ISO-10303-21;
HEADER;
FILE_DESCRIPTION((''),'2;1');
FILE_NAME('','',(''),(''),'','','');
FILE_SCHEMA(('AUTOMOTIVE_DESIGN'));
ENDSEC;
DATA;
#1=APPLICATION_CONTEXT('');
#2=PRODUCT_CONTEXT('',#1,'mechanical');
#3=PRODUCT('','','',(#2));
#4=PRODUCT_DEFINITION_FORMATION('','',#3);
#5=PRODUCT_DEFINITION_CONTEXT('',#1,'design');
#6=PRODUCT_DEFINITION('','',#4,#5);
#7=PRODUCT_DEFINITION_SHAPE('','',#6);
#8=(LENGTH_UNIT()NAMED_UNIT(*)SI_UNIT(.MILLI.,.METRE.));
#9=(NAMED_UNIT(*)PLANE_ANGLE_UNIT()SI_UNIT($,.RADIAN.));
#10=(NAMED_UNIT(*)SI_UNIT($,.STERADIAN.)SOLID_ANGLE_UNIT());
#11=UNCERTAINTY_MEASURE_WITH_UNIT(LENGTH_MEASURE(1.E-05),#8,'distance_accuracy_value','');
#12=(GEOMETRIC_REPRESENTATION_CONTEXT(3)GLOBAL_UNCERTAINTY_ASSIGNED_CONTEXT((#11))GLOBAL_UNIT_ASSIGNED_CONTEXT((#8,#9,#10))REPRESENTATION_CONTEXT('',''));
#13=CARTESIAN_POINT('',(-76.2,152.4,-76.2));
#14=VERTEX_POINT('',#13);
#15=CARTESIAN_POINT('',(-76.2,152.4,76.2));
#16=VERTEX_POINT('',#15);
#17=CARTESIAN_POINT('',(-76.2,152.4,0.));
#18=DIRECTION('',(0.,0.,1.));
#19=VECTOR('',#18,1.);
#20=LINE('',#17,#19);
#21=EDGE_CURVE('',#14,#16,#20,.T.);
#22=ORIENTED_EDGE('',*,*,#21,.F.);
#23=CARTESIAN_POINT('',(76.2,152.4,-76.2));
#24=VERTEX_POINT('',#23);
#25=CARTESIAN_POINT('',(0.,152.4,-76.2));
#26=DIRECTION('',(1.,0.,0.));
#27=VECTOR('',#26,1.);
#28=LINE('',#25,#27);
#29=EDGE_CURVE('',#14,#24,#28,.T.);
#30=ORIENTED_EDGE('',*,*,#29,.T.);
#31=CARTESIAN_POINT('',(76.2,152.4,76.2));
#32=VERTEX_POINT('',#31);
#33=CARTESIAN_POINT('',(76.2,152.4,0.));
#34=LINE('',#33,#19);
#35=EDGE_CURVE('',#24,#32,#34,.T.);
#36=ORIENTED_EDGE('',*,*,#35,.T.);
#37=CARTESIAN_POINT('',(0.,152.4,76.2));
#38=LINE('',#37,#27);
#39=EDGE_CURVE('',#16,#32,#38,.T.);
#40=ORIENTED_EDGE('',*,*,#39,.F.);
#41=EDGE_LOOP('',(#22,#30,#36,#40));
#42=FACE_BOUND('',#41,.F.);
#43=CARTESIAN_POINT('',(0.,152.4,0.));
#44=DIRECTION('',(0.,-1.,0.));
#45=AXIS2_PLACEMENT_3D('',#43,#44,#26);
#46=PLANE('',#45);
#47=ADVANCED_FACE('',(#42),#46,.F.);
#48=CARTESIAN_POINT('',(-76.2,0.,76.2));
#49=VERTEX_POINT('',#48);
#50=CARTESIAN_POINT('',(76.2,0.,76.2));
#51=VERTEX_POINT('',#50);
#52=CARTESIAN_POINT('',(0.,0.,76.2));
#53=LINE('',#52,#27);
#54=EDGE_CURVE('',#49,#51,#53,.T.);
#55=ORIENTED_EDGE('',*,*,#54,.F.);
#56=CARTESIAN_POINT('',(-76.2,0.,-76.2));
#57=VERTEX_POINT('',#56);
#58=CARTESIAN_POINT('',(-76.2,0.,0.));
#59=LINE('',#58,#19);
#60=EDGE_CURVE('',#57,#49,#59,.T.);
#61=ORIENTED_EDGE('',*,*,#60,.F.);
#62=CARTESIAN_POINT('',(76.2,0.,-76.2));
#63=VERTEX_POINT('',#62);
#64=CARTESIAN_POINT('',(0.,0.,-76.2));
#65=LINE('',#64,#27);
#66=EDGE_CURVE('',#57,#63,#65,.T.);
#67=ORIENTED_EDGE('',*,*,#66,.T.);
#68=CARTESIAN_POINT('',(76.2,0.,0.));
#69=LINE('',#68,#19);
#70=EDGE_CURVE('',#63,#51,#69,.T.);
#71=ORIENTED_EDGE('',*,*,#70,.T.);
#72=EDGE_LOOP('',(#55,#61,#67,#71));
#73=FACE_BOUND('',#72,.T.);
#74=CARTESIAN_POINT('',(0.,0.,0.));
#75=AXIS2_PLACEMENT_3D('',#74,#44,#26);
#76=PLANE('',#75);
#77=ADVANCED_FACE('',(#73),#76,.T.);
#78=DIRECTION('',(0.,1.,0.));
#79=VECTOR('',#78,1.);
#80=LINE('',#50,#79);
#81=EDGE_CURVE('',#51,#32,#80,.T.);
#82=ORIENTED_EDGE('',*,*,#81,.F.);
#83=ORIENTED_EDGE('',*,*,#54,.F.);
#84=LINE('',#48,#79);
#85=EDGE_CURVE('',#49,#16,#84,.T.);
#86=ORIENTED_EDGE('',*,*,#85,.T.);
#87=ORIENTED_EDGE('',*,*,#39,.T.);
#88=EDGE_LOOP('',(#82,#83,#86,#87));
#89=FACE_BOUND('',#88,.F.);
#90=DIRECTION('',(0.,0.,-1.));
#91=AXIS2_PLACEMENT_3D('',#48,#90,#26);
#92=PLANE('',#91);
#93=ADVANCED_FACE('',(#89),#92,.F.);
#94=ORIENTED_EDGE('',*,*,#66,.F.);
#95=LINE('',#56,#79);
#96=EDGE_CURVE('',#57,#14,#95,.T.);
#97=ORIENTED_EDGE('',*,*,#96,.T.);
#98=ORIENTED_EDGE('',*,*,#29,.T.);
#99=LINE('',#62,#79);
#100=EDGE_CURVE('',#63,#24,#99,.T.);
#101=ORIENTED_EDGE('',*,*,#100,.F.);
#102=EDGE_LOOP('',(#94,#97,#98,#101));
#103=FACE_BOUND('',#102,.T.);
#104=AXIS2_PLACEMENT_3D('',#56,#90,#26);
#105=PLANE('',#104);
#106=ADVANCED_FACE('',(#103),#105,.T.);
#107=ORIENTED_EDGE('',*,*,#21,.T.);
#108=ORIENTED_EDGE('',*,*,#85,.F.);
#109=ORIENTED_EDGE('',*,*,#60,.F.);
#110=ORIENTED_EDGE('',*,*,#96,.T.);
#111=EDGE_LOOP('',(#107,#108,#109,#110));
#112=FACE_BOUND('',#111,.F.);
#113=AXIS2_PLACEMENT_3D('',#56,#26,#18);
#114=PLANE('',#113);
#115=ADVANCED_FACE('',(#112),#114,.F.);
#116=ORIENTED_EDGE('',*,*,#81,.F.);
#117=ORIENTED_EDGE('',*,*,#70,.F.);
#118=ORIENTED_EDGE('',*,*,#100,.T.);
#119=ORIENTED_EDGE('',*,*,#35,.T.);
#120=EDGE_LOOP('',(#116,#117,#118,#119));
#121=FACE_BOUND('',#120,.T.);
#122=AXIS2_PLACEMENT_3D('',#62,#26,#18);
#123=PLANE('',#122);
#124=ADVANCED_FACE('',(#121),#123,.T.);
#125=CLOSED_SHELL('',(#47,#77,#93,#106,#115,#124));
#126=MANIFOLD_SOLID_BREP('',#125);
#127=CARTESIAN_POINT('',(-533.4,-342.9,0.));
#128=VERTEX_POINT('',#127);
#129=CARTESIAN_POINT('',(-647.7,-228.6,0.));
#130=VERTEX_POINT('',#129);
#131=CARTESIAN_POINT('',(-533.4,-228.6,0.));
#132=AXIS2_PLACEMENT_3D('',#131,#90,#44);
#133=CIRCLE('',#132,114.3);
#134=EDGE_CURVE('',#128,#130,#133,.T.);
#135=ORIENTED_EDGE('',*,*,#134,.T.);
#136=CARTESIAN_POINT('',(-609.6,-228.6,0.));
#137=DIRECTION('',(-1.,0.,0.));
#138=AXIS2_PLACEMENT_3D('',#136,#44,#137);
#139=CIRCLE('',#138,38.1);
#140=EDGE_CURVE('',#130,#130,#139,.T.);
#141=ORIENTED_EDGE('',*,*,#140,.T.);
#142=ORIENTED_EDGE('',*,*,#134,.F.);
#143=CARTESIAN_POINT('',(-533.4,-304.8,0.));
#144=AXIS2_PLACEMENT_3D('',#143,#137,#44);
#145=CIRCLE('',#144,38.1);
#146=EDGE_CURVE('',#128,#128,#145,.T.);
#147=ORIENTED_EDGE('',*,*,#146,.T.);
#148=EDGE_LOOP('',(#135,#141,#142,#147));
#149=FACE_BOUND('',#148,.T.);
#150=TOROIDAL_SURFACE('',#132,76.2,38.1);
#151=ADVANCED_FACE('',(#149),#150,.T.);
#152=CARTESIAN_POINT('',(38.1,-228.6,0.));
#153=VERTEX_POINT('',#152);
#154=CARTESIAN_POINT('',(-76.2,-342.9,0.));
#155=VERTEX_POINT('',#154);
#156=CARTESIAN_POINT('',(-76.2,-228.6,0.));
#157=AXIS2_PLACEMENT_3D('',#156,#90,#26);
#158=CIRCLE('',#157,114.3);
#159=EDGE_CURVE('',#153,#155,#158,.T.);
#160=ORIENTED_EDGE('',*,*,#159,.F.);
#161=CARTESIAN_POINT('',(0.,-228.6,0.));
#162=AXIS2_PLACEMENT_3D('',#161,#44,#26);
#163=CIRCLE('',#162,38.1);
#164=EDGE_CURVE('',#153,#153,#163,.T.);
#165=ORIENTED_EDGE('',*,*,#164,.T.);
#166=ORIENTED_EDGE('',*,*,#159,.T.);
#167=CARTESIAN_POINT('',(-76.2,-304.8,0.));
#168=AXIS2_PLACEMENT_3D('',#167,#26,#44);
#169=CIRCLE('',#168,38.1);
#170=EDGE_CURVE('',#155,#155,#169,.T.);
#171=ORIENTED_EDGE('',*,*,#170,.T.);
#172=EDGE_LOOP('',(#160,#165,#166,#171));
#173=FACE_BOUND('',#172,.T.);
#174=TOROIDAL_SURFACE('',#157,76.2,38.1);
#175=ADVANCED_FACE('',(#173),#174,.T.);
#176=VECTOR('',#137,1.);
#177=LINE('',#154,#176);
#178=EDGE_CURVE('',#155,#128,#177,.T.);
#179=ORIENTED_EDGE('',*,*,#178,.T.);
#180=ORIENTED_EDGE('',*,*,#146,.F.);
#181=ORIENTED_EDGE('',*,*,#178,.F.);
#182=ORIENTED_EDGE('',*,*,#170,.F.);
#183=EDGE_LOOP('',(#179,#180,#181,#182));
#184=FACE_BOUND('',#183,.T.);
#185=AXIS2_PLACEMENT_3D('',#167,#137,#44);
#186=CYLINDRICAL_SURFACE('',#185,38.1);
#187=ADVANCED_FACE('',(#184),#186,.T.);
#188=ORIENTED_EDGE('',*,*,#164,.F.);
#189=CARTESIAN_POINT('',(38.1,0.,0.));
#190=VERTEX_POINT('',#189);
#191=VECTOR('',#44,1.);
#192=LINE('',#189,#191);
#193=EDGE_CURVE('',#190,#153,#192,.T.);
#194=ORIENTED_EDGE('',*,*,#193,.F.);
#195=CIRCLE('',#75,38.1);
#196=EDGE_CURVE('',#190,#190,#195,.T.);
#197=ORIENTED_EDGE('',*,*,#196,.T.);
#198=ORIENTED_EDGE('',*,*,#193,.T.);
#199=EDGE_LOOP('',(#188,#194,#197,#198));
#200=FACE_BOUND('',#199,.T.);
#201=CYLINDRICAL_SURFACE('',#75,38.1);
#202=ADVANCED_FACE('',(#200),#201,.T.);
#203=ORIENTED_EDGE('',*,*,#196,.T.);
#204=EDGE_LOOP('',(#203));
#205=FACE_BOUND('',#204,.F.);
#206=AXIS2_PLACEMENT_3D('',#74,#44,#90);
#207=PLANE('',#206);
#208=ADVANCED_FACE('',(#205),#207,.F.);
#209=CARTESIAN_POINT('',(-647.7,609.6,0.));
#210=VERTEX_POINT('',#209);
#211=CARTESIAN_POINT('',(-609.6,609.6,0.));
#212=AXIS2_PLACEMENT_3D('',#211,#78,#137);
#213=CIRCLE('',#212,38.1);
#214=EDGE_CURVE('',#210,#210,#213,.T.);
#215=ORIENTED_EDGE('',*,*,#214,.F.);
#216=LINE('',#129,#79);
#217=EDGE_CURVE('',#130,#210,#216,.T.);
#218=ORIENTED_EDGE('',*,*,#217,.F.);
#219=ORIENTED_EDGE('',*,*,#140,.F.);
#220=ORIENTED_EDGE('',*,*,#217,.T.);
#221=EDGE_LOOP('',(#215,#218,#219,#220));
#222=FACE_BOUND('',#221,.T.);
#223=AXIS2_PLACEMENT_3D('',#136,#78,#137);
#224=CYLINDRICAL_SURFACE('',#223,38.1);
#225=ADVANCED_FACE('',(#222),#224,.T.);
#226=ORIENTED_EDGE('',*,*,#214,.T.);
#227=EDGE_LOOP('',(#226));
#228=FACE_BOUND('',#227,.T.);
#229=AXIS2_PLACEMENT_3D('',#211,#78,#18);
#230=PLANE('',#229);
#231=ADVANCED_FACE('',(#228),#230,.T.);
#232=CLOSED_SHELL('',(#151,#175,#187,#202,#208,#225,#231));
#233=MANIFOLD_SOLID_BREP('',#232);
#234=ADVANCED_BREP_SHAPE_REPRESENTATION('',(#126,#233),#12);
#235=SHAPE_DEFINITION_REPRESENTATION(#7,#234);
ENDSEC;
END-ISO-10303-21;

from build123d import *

# Parameters (mm, degrees)
F1_R     = 38.1
F3_W     = 152.4
F3_H     = 152.4
F4_DEPTH = 152.4


with BuildPart() as f2:
    # F2: sweep along a path in F0
    with BuildLine(Plane.XY) as f2_path:
        Line((0, 0), (0, -228.6))
        ThreePointArc((0, -228.6), (-22.3184632736, -282.4815367264), (-76.2, -304.8))
        Line((-76.2, -304.8), (-533.4, -304.8))
        ThreePointArc((-533.4, -304.8), (-587.2815367264, -282.4815367264), (-609.6, -228.6))
        Line((-609.6, -228.6), (-609.6, 609.6))
    # F1 (on Front) → F2 (sweep)
    with BuildSketch(Plane.XZ):
        Circle(F1_R)
    sweep(path=f2_path.line)


with BuildPart() as f4:
    # F3 (on Front) → F4 (new body)
    with BuildSketch(Plane.XZ):
        Rectangle(F3_W, F3_H)
    extrude(amount=-F4_DEPTH)


solid = Compound([f2.part, f4.part])
